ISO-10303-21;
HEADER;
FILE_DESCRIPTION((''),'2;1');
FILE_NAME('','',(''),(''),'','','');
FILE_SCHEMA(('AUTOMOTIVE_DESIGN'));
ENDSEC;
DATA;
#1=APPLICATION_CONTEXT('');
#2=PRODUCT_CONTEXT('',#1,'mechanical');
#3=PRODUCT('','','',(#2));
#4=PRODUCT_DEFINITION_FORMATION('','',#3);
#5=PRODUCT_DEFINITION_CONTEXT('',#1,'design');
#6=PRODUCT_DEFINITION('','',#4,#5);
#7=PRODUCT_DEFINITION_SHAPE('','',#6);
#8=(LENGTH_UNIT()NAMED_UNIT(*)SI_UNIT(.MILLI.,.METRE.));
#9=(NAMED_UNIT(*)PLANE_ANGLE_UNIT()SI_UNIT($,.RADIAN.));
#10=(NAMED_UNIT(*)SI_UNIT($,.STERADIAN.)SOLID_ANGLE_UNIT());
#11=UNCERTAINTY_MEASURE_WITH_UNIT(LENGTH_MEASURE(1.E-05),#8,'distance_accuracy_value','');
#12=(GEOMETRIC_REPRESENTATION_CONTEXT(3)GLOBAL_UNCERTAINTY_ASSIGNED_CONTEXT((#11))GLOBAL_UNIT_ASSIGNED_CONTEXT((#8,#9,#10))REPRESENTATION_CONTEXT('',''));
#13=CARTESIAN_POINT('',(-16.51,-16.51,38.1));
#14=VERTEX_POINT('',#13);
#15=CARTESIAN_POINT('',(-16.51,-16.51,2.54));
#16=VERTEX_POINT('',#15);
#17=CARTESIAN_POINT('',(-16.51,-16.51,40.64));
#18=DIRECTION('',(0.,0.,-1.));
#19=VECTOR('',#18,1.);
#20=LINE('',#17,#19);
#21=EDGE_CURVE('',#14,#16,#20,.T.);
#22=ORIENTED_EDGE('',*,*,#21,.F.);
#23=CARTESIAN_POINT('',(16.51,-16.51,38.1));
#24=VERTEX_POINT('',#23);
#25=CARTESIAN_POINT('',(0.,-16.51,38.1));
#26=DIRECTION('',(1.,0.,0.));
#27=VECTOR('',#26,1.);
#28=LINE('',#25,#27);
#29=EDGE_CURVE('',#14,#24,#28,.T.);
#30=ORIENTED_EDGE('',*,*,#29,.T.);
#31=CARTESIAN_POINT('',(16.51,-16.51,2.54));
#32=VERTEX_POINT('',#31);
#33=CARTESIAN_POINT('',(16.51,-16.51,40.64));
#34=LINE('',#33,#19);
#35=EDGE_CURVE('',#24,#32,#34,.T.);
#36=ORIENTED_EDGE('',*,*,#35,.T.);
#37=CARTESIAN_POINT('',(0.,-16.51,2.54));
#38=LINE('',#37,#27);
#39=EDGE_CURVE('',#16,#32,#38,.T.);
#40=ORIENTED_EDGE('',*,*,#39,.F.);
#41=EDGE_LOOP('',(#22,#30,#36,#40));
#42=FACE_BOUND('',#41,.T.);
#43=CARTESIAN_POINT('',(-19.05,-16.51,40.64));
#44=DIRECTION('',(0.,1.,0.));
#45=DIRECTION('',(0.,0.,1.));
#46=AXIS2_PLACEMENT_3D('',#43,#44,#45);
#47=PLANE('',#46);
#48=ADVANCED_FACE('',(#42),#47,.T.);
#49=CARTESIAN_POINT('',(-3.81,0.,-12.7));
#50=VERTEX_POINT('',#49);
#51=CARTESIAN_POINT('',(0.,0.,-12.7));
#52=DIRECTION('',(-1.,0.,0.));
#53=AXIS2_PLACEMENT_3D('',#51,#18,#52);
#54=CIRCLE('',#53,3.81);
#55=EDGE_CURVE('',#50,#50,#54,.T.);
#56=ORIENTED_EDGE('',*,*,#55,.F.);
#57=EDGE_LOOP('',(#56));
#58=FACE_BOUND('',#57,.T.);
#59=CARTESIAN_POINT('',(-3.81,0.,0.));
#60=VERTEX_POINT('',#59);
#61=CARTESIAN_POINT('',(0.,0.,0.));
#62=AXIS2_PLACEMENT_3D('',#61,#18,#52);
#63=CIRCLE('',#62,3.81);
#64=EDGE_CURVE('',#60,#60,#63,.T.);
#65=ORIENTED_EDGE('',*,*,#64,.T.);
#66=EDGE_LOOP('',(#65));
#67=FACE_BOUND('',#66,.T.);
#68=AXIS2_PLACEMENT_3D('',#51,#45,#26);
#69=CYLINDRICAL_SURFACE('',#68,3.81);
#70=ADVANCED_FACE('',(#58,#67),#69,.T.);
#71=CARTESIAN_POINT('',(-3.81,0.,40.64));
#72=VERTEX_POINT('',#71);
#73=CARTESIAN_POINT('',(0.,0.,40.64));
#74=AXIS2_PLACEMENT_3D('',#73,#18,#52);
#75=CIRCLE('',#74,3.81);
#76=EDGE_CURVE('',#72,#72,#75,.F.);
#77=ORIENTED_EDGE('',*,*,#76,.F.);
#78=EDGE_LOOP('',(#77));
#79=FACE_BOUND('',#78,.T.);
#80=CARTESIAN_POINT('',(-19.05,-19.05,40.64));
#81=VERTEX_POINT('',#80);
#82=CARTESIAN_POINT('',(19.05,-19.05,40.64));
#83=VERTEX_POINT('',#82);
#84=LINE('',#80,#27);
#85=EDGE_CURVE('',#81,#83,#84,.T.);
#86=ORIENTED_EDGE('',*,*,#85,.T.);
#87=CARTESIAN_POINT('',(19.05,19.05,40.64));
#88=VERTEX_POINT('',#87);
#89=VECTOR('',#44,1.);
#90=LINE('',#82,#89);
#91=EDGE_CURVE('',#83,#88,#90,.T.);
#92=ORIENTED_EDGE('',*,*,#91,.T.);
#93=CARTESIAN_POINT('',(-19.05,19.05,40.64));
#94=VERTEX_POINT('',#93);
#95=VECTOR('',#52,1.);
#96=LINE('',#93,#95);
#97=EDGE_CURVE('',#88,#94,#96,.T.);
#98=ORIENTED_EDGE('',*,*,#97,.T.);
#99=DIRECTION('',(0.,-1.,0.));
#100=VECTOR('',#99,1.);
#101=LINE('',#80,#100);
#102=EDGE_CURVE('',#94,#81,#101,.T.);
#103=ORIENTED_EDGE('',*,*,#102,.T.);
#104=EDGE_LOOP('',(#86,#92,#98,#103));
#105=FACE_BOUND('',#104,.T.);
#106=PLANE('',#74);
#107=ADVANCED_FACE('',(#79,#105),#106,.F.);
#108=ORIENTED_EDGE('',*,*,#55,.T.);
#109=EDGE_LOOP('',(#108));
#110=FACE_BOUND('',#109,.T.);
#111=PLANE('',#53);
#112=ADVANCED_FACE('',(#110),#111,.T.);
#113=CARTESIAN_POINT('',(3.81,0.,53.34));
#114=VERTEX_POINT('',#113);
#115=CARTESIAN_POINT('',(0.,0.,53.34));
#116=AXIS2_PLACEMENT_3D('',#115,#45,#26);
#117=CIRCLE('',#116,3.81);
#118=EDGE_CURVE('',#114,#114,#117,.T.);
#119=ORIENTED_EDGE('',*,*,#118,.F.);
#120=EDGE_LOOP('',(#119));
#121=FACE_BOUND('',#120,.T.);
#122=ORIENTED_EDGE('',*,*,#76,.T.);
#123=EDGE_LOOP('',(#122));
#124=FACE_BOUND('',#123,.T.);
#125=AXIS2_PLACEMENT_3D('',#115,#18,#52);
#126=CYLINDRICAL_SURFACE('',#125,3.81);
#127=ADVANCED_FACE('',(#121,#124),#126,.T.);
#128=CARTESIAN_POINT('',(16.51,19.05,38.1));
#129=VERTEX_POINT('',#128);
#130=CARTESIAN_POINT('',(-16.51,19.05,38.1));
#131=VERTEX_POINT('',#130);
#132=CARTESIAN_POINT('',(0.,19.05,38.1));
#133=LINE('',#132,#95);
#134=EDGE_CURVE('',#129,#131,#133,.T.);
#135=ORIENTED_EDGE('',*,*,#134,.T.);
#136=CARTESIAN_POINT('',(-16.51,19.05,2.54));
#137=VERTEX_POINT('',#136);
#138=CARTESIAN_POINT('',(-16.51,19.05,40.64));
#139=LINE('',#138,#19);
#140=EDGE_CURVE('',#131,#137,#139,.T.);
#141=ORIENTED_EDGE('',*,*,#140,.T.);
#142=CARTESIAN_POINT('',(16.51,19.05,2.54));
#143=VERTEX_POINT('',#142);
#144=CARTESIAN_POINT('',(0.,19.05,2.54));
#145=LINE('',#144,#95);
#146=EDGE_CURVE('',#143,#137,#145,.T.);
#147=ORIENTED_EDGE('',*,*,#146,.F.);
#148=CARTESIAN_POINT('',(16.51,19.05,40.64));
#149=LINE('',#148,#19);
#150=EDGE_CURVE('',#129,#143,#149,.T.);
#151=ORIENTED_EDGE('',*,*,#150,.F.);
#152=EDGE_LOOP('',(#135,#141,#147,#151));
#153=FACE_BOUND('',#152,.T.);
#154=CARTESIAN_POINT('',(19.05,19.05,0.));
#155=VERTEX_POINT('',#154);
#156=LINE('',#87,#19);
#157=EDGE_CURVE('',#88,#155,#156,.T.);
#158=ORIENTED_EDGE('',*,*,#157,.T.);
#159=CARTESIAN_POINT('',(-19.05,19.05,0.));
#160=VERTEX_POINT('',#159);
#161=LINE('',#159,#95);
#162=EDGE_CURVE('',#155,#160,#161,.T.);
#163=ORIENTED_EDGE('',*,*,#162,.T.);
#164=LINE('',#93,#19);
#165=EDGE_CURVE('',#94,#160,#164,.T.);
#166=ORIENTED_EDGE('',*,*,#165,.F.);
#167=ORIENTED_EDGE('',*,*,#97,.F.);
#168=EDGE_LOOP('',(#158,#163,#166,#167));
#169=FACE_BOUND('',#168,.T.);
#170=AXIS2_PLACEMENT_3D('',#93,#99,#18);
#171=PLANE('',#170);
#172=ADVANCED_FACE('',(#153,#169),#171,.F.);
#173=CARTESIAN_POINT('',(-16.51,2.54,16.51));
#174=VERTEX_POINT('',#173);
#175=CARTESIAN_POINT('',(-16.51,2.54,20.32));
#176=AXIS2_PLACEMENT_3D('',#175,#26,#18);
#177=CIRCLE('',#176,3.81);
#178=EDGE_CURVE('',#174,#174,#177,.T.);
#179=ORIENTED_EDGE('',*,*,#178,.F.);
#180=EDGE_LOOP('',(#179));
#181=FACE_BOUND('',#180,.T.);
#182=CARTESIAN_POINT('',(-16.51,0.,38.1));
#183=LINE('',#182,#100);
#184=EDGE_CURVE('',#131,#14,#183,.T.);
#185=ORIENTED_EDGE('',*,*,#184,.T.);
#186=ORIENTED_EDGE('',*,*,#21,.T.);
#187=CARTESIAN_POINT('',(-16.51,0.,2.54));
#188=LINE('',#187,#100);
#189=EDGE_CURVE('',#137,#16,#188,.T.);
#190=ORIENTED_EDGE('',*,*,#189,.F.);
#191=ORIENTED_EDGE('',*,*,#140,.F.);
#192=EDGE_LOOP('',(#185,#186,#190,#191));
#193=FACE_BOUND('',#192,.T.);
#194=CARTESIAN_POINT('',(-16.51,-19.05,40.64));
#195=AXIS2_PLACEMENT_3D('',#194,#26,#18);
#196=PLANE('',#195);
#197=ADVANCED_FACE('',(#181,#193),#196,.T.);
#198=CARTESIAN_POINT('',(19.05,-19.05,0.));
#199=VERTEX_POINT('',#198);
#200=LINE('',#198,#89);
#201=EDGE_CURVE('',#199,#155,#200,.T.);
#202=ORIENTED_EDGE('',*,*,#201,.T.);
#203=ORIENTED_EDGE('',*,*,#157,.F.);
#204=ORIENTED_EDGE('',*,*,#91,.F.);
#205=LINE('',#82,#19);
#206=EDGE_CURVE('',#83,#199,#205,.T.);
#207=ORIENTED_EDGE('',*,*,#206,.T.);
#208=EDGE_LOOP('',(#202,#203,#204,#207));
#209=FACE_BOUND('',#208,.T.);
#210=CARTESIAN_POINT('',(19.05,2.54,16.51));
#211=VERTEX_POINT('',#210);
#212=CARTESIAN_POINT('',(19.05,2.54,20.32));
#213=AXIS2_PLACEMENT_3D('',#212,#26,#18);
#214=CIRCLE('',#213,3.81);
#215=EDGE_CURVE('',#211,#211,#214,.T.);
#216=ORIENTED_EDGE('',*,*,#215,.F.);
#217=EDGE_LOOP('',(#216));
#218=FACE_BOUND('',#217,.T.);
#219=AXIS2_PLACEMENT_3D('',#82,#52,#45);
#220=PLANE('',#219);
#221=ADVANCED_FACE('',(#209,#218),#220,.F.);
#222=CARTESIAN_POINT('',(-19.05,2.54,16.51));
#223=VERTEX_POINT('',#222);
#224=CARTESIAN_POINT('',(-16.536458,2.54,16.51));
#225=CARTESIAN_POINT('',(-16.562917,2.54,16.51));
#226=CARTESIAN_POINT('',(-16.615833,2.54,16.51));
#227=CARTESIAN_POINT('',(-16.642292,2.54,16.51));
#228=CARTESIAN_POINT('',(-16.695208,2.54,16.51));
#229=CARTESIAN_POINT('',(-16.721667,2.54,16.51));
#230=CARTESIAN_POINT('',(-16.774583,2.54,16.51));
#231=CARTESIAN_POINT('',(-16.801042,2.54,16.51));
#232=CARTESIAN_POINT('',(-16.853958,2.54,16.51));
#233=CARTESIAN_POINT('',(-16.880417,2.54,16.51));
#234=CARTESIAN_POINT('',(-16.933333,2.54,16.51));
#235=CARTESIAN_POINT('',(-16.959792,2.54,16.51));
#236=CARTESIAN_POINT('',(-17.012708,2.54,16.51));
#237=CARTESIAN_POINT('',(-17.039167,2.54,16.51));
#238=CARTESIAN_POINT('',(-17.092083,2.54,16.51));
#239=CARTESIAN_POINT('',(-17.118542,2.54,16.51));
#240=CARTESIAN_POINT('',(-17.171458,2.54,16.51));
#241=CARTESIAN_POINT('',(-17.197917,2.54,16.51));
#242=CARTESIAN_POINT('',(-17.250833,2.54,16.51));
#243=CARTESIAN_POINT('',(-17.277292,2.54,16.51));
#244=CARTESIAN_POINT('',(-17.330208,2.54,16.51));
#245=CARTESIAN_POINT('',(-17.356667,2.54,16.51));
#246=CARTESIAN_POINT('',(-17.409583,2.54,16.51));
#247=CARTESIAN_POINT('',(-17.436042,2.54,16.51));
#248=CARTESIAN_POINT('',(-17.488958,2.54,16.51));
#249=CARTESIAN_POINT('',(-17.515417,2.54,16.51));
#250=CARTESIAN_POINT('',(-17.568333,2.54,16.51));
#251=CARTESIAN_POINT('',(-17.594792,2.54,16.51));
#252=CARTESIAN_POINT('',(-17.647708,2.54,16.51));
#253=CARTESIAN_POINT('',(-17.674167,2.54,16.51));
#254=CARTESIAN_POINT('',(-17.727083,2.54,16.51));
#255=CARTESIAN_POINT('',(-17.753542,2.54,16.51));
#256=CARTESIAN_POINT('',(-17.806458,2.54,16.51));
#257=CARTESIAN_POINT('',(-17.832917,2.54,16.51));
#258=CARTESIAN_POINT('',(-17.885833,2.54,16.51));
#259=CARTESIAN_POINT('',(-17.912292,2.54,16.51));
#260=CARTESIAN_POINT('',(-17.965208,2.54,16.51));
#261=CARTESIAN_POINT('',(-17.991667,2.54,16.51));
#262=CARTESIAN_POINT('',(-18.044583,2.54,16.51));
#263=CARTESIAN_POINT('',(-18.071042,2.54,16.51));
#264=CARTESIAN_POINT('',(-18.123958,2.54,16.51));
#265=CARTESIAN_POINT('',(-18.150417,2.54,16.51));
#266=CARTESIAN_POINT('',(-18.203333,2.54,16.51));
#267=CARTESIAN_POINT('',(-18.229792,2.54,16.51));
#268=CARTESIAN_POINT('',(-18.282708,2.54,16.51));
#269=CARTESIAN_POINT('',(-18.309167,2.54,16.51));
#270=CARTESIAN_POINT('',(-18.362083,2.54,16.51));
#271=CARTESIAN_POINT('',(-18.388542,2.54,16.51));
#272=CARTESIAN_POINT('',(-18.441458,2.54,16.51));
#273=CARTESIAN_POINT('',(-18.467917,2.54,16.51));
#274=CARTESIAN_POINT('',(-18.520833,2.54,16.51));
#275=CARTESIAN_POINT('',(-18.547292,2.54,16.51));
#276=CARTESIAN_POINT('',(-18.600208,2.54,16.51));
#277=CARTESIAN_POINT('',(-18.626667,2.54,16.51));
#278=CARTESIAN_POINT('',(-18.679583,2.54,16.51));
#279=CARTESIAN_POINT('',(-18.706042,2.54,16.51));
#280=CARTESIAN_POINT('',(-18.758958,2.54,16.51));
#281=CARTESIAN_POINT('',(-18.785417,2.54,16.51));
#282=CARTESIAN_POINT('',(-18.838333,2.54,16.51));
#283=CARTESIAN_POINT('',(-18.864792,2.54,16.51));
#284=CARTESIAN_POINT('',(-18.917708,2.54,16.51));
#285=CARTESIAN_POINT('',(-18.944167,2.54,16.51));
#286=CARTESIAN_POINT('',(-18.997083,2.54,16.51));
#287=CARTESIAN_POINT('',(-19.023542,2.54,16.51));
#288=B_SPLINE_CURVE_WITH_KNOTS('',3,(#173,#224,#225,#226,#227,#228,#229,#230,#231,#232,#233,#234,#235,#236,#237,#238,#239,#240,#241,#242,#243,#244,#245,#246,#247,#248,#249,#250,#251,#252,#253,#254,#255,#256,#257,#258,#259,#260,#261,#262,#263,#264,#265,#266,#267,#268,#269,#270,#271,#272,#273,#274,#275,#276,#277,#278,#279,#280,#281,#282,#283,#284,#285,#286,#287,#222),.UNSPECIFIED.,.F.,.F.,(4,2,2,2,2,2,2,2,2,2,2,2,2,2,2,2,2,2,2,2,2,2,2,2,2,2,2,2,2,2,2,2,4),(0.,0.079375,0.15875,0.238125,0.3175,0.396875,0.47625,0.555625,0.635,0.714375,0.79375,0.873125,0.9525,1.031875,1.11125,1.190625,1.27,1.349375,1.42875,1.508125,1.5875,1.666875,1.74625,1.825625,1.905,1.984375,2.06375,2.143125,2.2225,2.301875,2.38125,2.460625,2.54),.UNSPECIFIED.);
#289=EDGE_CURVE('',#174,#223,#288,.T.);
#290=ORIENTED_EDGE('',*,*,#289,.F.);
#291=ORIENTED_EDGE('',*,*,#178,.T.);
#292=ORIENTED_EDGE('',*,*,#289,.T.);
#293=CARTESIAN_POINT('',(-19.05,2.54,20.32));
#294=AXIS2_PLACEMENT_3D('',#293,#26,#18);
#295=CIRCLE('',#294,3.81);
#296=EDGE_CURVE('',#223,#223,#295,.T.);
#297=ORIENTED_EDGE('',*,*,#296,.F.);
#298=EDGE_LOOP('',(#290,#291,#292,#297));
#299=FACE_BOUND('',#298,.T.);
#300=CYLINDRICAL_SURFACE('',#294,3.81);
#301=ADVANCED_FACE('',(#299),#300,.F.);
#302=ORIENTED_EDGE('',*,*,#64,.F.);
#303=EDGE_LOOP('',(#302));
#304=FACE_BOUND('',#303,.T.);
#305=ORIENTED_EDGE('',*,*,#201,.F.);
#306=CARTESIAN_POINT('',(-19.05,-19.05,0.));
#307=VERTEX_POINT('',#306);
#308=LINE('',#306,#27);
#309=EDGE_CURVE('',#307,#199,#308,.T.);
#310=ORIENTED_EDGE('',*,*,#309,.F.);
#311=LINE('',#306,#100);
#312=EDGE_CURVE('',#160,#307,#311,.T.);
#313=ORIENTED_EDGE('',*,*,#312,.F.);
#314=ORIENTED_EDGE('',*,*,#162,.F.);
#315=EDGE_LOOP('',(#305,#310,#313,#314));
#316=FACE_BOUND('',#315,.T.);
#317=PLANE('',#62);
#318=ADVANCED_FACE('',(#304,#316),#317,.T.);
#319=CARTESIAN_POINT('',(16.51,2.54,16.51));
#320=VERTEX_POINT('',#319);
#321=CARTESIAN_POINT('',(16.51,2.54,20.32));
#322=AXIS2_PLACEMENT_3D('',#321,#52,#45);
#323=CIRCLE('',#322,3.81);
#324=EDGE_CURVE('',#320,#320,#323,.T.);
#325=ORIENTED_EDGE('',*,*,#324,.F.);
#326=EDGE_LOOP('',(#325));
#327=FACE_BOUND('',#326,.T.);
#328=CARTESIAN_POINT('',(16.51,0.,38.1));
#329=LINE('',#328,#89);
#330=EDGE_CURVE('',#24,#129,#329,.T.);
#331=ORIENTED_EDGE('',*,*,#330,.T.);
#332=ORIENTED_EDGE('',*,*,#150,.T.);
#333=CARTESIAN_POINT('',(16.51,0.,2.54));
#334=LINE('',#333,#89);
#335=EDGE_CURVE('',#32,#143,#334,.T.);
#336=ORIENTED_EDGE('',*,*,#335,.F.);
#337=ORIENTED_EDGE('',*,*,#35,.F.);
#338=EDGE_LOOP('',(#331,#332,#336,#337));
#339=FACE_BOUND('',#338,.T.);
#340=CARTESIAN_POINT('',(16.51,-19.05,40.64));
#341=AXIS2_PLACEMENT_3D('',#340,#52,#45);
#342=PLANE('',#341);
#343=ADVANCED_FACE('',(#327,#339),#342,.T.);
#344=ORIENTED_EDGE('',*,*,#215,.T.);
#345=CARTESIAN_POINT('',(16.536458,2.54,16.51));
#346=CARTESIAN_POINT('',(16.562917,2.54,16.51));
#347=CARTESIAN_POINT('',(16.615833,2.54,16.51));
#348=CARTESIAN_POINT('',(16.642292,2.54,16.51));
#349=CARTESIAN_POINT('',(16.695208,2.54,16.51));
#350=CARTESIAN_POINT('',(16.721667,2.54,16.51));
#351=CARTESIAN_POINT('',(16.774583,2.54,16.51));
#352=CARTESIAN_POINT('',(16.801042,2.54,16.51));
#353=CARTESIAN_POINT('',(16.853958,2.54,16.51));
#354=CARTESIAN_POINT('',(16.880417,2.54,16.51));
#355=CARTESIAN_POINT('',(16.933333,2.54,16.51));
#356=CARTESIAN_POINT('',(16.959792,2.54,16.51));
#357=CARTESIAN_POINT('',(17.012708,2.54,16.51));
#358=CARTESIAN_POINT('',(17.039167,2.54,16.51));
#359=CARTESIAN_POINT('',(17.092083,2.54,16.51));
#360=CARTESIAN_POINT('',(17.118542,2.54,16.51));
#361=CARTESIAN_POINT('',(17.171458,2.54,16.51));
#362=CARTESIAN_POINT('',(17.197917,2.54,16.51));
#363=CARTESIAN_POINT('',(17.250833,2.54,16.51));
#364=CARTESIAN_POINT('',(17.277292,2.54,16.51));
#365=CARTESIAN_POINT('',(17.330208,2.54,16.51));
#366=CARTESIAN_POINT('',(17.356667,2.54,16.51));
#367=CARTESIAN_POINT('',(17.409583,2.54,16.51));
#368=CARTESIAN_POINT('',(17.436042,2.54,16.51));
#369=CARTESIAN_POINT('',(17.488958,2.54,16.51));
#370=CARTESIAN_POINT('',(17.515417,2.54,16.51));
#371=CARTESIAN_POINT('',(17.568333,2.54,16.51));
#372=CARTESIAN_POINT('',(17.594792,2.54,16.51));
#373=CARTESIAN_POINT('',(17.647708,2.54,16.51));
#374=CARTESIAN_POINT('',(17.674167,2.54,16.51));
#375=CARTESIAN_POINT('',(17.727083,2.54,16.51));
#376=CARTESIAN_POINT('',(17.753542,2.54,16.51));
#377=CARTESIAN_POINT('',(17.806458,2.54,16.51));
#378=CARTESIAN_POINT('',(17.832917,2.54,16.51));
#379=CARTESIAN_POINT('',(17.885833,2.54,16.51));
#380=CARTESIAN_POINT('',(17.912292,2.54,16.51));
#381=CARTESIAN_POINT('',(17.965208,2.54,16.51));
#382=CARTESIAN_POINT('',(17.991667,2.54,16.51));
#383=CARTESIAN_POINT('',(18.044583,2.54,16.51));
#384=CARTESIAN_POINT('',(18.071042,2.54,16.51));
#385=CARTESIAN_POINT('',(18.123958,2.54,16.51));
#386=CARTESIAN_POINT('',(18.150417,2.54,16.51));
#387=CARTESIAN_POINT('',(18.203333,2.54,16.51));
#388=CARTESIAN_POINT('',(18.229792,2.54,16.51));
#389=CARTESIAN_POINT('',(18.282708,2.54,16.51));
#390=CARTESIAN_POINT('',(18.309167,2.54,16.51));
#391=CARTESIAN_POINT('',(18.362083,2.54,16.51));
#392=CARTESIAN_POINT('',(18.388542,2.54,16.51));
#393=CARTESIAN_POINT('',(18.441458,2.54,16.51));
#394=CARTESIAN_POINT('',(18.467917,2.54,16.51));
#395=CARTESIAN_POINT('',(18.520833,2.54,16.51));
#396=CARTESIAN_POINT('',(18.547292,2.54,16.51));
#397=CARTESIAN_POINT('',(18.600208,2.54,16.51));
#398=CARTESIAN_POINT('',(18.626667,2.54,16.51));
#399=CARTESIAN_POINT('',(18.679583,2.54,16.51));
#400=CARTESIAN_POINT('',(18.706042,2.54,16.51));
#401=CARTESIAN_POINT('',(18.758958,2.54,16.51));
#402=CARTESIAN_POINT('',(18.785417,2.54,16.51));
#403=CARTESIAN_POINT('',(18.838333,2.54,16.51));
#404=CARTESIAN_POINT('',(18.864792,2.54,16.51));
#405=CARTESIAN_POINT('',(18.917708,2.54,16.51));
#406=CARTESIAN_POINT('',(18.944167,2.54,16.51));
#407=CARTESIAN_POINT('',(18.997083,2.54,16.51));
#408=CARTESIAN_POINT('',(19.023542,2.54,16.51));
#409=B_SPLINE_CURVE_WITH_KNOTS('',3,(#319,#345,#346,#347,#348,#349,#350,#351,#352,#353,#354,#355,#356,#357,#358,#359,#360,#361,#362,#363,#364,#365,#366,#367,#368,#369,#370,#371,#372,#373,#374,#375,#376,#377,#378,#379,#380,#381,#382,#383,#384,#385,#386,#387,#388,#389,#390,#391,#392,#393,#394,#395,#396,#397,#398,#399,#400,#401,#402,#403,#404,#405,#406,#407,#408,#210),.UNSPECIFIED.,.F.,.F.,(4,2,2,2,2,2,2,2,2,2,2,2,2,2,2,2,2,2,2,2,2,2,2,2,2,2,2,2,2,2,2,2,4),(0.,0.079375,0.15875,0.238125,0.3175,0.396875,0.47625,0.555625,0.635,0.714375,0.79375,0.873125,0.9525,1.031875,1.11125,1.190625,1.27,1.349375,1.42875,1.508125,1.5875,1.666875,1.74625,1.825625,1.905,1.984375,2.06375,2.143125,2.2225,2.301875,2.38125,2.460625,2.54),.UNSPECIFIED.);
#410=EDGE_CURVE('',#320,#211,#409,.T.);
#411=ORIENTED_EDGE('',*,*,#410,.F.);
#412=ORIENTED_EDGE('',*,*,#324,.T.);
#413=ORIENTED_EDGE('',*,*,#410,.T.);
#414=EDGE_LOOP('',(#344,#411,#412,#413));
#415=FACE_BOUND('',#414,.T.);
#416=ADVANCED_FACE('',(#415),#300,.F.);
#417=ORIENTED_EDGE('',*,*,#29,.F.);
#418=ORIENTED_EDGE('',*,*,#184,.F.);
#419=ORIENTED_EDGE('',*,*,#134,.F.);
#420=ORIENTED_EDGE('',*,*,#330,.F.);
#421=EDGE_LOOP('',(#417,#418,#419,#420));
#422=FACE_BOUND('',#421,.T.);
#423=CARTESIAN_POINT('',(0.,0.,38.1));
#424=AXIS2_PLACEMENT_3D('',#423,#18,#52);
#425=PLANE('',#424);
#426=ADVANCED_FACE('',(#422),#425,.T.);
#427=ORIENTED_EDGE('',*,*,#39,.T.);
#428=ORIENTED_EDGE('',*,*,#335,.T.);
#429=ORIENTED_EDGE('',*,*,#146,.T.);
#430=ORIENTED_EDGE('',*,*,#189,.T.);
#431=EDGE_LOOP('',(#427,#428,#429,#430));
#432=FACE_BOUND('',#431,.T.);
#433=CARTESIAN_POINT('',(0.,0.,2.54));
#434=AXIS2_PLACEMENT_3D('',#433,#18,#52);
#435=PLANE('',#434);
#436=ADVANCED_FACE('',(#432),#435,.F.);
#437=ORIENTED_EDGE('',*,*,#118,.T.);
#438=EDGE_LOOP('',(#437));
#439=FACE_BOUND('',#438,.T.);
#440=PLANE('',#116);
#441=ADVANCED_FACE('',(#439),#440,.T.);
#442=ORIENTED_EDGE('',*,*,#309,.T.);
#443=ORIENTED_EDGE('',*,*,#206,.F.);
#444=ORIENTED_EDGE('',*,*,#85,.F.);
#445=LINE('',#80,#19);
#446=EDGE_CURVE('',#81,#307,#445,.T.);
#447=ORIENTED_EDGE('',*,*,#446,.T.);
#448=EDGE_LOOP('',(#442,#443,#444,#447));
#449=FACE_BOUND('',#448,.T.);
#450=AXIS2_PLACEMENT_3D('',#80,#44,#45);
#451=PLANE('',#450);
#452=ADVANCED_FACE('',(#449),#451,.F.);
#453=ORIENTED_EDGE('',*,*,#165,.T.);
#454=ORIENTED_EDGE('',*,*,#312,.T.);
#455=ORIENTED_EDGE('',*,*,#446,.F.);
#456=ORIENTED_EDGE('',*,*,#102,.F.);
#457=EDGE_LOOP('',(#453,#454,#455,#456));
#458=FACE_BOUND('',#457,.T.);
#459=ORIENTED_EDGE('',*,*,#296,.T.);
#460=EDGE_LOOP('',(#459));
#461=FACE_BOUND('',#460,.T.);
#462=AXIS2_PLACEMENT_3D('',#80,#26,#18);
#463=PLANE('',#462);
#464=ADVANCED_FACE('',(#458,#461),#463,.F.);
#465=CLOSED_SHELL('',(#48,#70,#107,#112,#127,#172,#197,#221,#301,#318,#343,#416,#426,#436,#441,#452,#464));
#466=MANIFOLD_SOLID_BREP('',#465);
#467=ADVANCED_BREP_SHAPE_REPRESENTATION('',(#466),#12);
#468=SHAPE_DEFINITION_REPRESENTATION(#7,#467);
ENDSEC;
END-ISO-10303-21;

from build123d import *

# Parameters (mm, degrees)
SKETCH1_W          = 38.1
SKETCH1_H          = 38.1
MAIN_BODY_DEPTH    = 40.64
HOLLOW_IT_T        = -2.54
SKETCH3_R          = 3.81
NIBBLE_NO_1_DEPTH  = 12.7
NIBBLE_START       = 12.7
SKETCH4_R          = 3.81
NIBBLE_NO_2_DEPTH  = 12.7
SKETCH5_W          = 1.27
SKETCH5_H          = 3.81
FLAG_DEPTH         = 0.254
SKETCH2_R          = 3.81
NIBBLE_HOLES_DEPTH = 69.261761624


with BuildPart() as part:
    # Sketch1 → main body (new body)
    with BuildSketch(Plane.XY):
        Rectangle(SKETCH1_W, SKETCH1_H)
    extrude(amount=MAIN_BODY_DEPTH)

    # hollow it
    hollow_it_openings = [part.faces().sort_by_distance(p)[0] for p in [
        (0, 19.05, 20.32),
    ]]
    offset(amount=HOLLOW_IT_T, openings=hollow_it_openings, kind=Kind.INTERSECTION)

    # Sketch3 → nibble no 1 (add)
    with BuildSketch(Plane.XY.offset(40.64)):
        with Locations(Location((0, 0, 0), (0, 0, 180))):
            Circle(SKETCH3_R)
    extrude(amount=NIBBLE_NO_1_DEPTH)

    # Sketch4 → nibble no 2 (add)
    with BuildSketch(Plane(origin=(0, 0, 0), x_dir=(-1, 0, 0), z_dir=(0, 0, -1)).offset(NIBBLE_START)):
        Circle(SKETCH4_R)
    extrude(amount=-NIBBLE_NO_2_DEPTH)

    # Sketch5 → flag (add)
    with BuildSketch(Plane(origin=(0, 0, 0), x_dir=(-1, 0, 0), z_dir=(0, -1, 0))):
        with Locations((-0.18666561, 6.353298227)):
            Rectangle(SKETCH5_W, SKETCH5_H)
    extrude(amount=FLAG_DEPTH)

    # Sketch2 → nibble holes (cut, through all)
    with BuildSketch(Plane(origin=(19.05, 0, 0), x_dir=(0, 0, -1), z_dir=(1, 0, 0))):
        with Locations((-20.32, 2.54)):
            Circle(SKETCH2_R)
    extrude(amount=-NIBBLE_HOLES_DEPTH, mode=Mode.SUBTRACT)


solid = part.part
